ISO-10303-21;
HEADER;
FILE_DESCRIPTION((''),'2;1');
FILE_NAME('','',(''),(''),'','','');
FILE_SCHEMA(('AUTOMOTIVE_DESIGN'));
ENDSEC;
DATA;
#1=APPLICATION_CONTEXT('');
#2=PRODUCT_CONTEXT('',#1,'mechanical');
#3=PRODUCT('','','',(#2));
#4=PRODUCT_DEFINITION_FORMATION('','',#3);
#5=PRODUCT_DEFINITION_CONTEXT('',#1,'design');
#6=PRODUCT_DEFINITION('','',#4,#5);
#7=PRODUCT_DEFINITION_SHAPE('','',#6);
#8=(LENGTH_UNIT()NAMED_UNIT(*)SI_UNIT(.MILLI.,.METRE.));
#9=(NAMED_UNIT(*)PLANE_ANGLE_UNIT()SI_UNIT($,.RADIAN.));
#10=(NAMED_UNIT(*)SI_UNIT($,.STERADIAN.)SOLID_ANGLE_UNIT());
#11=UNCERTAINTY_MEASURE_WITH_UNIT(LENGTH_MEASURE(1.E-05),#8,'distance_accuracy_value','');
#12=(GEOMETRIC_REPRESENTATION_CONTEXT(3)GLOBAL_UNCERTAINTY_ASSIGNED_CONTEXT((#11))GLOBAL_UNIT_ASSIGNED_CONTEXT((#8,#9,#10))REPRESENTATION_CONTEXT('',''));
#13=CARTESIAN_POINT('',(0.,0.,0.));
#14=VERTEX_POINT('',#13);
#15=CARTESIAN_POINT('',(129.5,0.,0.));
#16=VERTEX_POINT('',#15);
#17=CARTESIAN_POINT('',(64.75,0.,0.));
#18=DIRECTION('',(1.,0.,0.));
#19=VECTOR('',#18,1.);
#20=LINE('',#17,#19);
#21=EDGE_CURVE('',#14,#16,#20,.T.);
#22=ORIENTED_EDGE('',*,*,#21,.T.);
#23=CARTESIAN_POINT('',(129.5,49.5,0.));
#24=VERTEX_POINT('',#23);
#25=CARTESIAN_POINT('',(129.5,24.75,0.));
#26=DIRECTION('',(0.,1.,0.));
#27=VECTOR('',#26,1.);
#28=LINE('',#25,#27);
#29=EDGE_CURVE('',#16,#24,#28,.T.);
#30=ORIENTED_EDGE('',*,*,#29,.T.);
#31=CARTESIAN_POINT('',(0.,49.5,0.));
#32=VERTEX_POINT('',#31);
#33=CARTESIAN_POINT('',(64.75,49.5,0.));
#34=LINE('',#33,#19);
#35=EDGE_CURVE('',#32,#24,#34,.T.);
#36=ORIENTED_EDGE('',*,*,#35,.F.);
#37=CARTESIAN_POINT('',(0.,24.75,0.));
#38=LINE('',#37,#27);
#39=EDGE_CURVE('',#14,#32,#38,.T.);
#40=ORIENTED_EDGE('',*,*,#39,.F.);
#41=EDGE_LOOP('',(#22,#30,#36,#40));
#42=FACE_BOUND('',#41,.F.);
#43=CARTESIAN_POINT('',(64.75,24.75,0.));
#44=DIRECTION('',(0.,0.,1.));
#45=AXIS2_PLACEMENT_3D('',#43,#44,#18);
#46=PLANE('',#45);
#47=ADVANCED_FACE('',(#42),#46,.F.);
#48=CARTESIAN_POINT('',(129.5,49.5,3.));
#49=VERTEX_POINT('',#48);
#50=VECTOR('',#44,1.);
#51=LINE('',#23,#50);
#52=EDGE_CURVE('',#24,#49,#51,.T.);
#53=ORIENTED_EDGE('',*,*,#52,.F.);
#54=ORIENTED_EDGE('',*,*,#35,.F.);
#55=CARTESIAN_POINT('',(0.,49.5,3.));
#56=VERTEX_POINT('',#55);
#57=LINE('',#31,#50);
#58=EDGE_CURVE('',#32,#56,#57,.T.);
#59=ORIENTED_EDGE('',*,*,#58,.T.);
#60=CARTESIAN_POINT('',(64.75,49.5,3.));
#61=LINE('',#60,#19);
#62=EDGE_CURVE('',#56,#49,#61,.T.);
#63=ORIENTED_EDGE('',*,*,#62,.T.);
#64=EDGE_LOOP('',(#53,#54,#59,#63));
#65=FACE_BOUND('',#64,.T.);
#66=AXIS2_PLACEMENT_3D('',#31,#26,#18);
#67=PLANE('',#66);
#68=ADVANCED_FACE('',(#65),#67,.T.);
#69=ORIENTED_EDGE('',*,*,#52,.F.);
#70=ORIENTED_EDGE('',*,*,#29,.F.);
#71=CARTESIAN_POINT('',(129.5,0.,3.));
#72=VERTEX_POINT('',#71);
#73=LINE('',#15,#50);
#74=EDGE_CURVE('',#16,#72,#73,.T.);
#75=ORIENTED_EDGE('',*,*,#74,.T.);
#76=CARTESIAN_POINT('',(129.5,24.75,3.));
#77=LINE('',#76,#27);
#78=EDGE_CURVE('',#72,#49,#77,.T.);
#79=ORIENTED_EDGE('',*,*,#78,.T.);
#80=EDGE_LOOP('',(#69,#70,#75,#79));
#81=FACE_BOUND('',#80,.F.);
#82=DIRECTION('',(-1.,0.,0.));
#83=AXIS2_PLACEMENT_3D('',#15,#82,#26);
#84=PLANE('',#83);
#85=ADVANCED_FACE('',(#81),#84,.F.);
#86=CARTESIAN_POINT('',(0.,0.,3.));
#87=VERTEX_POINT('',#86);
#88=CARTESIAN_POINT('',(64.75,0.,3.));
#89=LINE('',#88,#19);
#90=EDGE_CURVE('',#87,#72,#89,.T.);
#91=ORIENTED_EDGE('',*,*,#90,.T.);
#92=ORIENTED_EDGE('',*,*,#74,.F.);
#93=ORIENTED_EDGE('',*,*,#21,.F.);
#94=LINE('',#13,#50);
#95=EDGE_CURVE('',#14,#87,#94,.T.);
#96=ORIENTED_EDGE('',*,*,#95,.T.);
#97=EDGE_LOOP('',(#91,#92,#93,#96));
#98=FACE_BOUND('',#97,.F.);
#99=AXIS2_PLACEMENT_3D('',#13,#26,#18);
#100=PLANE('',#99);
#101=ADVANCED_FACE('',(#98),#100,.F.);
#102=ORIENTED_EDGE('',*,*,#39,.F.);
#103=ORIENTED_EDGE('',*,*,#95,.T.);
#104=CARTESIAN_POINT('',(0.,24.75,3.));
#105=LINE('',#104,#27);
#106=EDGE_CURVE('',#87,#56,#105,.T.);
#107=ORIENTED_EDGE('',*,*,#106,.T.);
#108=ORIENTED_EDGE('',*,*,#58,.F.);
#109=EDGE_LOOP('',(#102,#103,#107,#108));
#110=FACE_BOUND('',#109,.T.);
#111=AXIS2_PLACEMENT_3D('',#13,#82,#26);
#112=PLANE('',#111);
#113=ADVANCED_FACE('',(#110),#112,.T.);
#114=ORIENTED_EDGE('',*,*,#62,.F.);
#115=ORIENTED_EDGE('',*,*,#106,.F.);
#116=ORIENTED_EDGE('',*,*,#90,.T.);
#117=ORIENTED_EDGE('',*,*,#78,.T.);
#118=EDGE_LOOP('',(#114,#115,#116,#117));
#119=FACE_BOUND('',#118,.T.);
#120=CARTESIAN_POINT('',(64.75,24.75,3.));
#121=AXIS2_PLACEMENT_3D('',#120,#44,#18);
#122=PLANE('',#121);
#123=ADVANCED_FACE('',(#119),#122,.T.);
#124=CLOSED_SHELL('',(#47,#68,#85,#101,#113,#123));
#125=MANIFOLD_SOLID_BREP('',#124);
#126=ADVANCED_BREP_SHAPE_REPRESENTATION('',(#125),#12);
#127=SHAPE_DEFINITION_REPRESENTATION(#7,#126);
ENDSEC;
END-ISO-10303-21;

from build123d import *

# Parameters (mm, degrees)
SKETCH_W  = 129.5
SKETCH_H  = 49.5
PAD_DEPTH = 3


with BuildPart() as part:
    # Sketch → Pad (new body)
    with BuildSketch(Plane.XY):
        with Locations((64.75, 24.75)):
            Rectangle(SKETCH_W, SKETCH_H)
    extrude(amount=PAD_DEPTH)


solid = part.part
